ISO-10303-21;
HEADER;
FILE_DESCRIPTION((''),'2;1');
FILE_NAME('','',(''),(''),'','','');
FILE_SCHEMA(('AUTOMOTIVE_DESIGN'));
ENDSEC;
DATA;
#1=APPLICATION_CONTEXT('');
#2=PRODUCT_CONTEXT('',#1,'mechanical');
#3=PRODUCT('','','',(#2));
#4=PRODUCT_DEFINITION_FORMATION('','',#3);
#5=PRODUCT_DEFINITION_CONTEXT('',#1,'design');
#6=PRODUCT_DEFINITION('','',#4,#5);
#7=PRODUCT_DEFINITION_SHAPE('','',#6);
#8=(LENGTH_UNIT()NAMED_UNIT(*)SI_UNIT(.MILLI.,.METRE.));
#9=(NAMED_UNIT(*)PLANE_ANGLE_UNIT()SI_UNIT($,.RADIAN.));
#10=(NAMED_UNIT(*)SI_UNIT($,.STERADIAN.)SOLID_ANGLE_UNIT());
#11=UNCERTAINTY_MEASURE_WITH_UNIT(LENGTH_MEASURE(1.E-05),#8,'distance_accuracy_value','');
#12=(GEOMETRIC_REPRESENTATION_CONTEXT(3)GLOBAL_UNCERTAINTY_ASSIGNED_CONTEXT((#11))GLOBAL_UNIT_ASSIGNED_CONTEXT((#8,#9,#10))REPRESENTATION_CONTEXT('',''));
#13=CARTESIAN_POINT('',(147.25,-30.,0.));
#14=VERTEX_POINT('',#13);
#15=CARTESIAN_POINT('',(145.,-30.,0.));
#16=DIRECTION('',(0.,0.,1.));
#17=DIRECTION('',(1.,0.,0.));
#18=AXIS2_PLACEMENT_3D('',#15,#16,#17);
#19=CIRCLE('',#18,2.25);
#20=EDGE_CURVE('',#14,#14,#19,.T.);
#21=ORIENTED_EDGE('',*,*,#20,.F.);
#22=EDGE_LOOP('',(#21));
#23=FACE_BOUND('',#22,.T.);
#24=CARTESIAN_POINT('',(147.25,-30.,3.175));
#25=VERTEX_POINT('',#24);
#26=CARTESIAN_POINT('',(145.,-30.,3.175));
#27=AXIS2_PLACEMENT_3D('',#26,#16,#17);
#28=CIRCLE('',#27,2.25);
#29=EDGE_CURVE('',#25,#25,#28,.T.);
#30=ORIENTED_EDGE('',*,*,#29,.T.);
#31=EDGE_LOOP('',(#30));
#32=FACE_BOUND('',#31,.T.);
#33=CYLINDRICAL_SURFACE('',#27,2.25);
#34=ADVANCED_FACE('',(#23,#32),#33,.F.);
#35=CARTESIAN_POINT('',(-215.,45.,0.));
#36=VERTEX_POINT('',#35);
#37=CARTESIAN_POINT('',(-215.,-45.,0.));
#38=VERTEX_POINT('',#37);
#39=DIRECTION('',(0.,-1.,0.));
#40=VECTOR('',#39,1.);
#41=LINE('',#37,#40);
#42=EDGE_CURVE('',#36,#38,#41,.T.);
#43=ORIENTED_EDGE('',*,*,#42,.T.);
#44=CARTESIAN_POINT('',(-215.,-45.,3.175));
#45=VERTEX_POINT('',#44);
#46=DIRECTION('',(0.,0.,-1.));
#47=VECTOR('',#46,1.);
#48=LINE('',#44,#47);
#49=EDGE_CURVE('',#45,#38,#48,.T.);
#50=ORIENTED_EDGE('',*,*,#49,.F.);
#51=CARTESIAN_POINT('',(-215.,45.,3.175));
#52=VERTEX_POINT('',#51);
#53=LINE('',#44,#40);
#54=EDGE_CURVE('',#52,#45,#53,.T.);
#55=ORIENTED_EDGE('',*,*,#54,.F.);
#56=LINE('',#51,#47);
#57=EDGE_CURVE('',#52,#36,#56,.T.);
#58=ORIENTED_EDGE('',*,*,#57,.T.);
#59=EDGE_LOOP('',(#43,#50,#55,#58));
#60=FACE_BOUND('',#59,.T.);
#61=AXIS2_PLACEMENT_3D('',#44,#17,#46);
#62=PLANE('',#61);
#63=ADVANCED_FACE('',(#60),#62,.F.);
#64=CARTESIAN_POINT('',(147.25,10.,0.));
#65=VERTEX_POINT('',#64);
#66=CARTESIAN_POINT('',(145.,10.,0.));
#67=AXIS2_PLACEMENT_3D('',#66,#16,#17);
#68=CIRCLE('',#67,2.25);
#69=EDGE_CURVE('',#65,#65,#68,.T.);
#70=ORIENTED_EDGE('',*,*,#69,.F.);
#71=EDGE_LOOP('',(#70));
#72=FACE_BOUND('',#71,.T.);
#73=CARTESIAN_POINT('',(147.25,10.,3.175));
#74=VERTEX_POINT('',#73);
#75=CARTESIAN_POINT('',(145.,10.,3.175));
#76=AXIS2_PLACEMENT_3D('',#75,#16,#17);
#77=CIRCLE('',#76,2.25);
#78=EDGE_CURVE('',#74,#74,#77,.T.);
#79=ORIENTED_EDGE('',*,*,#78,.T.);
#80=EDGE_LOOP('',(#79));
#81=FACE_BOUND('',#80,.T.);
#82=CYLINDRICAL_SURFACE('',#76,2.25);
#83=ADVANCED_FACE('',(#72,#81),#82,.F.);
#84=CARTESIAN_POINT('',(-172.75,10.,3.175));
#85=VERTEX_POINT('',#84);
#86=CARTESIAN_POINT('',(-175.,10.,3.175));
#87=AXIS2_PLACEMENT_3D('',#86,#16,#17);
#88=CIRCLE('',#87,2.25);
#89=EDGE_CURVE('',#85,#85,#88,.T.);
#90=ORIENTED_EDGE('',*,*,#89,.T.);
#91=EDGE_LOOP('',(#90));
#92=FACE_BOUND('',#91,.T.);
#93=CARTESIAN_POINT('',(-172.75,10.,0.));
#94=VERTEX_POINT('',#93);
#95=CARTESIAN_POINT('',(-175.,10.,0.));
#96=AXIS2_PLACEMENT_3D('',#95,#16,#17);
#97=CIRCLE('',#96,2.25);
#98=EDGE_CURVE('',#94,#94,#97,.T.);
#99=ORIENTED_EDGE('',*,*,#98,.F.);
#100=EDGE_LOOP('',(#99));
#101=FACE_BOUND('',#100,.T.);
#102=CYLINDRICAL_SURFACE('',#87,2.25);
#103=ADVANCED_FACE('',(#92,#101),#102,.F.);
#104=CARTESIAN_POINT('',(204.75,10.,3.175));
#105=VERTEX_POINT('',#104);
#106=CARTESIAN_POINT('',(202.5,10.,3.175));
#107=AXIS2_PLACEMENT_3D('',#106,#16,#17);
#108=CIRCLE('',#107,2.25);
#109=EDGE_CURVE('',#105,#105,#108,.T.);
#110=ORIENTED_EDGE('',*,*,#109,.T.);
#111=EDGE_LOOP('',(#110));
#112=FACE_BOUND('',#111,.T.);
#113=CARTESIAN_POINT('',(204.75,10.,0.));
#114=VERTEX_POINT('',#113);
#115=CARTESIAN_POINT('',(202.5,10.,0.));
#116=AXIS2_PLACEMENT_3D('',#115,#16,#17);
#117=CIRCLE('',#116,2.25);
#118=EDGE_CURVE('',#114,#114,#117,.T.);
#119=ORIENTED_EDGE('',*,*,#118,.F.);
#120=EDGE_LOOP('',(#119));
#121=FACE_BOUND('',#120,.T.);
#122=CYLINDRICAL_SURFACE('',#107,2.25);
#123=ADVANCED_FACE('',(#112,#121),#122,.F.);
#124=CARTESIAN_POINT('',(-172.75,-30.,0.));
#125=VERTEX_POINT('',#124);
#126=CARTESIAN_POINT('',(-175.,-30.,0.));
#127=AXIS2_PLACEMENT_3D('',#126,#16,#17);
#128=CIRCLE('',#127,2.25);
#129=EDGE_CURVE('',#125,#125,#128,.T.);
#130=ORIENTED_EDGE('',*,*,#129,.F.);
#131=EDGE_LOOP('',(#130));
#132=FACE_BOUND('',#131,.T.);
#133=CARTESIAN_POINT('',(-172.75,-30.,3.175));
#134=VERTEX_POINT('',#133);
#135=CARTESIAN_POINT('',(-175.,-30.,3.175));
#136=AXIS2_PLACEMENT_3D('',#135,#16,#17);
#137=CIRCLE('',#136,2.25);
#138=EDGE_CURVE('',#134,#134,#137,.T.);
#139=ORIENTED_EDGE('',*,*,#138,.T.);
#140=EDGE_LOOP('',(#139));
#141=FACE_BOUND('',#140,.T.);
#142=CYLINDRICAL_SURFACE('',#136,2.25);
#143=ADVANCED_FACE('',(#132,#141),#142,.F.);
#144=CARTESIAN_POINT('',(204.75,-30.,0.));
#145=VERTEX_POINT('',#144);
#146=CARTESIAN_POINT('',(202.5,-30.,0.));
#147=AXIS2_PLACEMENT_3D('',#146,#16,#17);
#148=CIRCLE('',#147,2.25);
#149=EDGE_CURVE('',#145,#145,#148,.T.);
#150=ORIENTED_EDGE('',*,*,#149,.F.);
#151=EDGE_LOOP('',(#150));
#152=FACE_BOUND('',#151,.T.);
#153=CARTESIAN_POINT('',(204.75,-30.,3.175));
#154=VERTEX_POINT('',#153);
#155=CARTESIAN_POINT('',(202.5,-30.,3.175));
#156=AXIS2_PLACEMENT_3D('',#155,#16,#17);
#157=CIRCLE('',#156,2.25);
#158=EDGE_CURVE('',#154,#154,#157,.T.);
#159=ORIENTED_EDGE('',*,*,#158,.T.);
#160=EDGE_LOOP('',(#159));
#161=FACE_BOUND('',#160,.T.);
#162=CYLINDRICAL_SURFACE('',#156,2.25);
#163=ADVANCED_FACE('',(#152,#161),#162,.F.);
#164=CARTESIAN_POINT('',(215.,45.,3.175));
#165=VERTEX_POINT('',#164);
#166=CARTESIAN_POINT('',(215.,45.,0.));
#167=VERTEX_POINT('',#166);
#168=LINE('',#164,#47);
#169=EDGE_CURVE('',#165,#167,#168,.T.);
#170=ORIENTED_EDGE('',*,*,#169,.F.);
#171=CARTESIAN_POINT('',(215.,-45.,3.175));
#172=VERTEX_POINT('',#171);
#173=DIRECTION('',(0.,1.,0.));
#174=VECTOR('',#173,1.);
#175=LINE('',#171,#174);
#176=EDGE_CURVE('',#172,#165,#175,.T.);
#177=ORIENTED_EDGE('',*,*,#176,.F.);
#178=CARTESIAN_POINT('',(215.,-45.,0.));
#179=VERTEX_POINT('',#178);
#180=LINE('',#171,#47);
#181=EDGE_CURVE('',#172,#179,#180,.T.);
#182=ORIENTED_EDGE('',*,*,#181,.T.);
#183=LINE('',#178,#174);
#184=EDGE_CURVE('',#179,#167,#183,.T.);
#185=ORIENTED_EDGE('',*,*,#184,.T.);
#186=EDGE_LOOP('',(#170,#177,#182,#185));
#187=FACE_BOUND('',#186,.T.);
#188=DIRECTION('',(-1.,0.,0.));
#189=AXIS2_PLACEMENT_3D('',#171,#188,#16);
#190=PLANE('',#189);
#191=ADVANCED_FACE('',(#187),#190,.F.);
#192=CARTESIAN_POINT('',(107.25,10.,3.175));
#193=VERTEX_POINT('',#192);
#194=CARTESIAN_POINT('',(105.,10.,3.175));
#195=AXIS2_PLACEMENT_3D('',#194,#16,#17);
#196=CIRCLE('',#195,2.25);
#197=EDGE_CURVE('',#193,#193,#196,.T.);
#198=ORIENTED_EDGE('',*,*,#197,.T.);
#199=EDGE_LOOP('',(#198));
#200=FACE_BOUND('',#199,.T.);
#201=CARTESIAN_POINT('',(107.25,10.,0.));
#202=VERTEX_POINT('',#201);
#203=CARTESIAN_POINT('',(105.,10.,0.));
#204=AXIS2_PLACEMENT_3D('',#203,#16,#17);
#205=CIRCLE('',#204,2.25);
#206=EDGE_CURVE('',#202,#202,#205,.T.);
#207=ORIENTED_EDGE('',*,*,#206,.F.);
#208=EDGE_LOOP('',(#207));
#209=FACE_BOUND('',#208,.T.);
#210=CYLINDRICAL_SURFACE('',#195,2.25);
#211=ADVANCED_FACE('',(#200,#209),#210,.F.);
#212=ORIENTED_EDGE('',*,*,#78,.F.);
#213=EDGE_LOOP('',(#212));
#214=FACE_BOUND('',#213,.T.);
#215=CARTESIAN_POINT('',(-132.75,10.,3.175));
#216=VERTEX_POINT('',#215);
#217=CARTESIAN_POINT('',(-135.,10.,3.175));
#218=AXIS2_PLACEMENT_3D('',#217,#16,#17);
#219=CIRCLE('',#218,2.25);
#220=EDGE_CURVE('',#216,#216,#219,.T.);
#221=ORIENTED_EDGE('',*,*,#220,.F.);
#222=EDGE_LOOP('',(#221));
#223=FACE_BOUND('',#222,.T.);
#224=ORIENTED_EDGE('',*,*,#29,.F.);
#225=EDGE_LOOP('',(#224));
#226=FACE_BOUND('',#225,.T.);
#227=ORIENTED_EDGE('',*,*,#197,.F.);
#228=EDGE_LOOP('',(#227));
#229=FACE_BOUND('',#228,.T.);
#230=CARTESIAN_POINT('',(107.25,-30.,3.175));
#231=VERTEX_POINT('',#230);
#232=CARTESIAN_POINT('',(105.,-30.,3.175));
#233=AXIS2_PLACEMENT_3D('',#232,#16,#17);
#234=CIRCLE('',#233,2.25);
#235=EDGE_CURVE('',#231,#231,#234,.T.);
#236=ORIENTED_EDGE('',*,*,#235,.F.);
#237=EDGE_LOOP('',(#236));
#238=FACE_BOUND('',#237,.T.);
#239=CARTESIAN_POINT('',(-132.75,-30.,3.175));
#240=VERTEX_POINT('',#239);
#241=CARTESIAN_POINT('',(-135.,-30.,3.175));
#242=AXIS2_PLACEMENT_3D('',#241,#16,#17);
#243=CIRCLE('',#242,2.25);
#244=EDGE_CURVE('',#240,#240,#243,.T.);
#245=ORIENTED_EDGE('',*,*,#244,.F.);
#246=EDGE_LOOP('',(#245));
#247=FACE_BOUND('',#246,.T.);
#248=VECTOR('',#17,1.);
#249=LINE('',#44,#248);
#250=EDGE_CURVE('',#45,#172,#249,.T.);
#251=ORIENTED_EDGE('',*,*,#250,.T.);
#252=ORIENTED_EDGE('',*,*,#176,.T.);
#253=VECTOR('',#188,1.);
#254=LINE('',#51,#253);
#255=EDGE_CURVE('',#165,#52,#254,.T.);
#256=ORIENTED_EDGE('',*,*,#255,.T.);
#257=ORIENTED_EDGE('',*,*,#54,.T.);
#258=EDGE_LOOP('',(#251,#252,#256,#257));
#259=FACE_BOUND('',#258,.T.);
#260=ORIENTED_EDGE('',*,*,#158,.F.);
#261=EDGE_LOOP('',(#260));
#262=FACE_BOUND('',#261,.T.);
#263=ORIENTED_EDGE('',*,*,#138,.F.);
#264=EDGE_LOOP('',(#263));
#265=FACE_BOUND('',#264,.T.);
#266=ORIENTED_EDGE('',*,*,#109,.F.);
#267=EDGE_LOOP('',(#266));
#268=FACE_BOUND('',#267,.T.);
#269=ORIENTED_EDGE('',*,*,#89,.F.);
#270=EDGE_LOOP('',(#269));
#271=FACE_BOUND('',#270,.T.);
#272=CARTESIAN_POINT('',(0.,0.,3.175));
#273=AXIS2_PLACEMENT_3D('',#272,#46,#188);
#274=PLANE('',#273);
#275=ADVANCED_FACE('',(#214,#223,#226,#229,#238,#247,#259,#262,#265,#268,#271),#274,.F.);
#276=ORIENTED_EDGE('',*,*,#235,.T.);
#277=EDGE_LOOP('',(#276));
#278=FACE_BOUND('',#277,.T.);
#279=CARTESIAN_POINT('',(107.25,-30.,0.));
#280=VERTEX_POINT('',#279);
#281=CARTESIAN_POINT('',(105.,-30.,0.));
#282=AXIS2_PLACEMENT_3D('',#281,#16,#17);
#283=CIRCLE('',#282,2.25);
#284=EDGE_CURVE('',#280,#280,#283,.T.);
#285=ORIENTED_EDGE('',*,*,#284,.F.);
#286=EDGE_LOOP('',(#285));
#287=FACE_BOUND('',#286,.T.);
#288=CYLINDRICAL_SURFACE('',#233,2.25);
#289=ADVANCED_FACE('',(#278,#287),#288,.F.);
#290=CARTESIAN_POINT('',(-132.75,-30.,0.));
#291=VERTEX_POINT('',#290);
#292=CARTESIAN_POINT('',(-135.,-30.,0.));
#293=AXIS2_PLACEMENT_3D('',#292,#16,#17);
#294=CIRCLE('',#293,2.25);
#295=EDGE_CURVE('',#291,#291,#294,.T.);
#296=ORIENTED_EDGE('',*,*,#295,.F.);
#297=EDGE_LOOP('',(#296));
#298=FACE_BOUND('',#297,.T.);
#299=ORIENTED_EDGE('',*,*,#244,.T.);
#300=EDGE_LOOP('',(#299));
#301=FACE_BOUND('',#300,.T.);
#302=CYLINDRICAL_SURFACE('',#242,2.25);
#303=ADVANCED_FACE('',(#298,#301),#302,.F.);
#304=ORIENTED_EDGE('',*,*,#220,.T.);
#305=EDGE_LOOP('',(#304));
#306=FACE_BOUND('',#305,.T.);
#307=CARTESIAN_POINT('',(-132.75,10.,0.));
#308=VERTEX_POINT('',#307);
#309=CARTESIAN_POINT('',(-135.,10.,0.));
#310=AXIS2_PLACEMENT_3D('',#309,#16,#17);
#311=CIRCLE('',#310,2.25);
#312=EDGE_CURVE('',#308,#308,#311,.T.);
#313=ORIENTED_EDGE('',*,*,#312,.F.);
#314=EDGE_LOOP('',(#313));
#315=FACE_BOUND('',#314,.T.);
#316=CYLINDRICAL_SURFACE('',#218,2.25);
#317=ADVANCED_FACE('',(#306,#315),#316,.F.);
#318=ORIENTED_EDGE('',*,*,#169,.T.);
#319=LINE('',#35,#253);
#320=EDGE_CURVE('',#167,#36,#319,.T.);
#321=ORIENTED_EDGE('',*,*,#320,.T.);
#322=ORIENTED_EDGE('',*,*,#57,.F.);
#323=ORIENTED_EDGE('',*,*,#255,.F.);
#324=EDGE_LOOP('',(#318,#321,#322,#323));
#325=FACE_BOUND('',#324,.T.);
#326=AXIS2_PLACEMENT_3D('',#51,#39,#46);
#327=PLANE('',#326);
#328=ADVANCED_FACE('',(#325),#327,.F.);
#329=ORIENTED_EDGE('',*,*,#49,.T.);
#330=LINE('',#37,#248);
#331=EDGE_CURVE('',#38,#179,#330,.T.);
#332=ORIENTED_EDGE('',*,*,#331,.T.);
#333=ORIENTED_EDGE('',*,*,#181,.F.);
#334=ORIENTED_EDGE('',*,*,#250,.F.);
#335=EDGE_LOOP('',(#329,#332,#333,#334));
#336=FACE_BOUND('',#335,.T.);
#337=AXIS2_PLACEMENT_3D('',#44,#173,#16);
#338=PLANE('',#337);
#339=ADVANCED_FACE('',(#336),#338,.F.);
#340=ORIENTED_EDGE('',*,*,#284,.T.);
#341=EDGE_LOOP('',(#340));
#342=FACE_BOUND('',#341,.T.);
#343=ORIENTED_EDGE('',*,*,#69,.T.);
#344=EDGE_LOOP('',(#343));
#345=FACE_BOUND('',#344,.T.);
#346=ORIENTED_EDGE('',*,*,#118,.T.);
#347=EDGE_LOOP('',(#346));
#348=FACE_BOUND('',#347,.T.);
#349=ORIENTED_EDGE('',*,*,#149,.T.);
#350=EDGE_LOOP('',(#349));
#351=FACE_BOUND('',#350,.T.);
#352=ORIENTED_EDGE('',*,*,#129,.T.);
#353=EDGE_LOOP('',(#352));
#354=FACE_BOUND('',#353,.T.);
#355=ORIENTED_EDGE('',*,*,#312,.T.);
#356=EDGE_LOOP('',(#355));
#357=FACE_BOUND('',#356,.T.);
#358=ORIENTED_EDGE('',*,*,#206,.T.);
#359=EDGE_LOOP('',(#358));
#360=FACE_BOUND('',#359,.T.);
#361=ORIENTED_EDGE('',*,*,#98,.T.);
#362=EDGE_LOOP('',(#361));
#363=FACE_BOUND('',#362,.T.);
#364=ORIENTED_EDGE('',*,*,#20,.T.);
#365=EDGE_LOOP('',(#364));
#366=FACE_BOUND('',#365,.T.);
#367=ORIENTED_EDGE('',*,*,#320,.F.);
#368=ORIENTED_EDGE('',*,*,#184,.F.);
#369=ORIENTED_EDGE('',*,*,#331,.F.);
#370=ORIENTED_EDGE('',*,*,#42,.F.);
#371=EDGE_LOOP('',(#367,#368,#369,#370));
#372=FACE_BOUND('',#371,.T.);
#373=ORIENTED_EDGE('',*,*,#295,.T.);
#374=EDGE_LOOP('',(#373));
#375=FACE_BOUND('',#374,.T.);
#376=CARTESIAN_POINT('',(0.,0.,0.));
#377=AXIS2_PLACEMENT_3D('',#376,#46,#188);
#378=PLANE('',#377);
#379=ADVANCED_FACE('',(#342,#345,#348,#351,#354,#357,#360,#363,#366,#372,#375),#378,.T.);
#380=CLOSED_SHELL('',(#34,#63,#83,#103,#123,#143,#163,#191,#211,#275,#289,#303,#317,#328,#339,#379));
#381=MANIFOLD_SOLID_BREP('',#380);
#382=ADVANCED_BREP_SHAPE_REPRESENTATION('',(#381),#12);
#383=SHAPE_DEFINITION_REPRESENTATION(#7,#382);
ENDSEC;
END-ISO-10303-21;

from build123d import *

# Parameters (mm, degrees)
SKETCH3_W            = 430
SKETCH3_H            = 90
BOSS_EXTRUDE1_DEPTH  = 3.175
M4_CLEARANCE_HOLE1_D = 4.5


with BuildPart() as part:
    # Sketch3 → Boss-Extrude1 (new body)
    with BuildSketch(Plane.XY):
        Rectangle(SKETCH3_W, SKETCH3_H)
    extrude(amount=BOSS_EXTRUDE1_DEPTH)

    # M4 Clearance Hole1 (through all)
    with Locations(Plane.XY.offset(3.175)):
        with Locations((-135, 10), (-175, -30), (-175, 10), (-135, -30), (145, 10), (105, -30), (105, 10), (145, -30), (202.5, 10), (202.5, -30)):
            Hole(M4_CLEARANCE_HOLE1_D / 2)


solid = part.part
